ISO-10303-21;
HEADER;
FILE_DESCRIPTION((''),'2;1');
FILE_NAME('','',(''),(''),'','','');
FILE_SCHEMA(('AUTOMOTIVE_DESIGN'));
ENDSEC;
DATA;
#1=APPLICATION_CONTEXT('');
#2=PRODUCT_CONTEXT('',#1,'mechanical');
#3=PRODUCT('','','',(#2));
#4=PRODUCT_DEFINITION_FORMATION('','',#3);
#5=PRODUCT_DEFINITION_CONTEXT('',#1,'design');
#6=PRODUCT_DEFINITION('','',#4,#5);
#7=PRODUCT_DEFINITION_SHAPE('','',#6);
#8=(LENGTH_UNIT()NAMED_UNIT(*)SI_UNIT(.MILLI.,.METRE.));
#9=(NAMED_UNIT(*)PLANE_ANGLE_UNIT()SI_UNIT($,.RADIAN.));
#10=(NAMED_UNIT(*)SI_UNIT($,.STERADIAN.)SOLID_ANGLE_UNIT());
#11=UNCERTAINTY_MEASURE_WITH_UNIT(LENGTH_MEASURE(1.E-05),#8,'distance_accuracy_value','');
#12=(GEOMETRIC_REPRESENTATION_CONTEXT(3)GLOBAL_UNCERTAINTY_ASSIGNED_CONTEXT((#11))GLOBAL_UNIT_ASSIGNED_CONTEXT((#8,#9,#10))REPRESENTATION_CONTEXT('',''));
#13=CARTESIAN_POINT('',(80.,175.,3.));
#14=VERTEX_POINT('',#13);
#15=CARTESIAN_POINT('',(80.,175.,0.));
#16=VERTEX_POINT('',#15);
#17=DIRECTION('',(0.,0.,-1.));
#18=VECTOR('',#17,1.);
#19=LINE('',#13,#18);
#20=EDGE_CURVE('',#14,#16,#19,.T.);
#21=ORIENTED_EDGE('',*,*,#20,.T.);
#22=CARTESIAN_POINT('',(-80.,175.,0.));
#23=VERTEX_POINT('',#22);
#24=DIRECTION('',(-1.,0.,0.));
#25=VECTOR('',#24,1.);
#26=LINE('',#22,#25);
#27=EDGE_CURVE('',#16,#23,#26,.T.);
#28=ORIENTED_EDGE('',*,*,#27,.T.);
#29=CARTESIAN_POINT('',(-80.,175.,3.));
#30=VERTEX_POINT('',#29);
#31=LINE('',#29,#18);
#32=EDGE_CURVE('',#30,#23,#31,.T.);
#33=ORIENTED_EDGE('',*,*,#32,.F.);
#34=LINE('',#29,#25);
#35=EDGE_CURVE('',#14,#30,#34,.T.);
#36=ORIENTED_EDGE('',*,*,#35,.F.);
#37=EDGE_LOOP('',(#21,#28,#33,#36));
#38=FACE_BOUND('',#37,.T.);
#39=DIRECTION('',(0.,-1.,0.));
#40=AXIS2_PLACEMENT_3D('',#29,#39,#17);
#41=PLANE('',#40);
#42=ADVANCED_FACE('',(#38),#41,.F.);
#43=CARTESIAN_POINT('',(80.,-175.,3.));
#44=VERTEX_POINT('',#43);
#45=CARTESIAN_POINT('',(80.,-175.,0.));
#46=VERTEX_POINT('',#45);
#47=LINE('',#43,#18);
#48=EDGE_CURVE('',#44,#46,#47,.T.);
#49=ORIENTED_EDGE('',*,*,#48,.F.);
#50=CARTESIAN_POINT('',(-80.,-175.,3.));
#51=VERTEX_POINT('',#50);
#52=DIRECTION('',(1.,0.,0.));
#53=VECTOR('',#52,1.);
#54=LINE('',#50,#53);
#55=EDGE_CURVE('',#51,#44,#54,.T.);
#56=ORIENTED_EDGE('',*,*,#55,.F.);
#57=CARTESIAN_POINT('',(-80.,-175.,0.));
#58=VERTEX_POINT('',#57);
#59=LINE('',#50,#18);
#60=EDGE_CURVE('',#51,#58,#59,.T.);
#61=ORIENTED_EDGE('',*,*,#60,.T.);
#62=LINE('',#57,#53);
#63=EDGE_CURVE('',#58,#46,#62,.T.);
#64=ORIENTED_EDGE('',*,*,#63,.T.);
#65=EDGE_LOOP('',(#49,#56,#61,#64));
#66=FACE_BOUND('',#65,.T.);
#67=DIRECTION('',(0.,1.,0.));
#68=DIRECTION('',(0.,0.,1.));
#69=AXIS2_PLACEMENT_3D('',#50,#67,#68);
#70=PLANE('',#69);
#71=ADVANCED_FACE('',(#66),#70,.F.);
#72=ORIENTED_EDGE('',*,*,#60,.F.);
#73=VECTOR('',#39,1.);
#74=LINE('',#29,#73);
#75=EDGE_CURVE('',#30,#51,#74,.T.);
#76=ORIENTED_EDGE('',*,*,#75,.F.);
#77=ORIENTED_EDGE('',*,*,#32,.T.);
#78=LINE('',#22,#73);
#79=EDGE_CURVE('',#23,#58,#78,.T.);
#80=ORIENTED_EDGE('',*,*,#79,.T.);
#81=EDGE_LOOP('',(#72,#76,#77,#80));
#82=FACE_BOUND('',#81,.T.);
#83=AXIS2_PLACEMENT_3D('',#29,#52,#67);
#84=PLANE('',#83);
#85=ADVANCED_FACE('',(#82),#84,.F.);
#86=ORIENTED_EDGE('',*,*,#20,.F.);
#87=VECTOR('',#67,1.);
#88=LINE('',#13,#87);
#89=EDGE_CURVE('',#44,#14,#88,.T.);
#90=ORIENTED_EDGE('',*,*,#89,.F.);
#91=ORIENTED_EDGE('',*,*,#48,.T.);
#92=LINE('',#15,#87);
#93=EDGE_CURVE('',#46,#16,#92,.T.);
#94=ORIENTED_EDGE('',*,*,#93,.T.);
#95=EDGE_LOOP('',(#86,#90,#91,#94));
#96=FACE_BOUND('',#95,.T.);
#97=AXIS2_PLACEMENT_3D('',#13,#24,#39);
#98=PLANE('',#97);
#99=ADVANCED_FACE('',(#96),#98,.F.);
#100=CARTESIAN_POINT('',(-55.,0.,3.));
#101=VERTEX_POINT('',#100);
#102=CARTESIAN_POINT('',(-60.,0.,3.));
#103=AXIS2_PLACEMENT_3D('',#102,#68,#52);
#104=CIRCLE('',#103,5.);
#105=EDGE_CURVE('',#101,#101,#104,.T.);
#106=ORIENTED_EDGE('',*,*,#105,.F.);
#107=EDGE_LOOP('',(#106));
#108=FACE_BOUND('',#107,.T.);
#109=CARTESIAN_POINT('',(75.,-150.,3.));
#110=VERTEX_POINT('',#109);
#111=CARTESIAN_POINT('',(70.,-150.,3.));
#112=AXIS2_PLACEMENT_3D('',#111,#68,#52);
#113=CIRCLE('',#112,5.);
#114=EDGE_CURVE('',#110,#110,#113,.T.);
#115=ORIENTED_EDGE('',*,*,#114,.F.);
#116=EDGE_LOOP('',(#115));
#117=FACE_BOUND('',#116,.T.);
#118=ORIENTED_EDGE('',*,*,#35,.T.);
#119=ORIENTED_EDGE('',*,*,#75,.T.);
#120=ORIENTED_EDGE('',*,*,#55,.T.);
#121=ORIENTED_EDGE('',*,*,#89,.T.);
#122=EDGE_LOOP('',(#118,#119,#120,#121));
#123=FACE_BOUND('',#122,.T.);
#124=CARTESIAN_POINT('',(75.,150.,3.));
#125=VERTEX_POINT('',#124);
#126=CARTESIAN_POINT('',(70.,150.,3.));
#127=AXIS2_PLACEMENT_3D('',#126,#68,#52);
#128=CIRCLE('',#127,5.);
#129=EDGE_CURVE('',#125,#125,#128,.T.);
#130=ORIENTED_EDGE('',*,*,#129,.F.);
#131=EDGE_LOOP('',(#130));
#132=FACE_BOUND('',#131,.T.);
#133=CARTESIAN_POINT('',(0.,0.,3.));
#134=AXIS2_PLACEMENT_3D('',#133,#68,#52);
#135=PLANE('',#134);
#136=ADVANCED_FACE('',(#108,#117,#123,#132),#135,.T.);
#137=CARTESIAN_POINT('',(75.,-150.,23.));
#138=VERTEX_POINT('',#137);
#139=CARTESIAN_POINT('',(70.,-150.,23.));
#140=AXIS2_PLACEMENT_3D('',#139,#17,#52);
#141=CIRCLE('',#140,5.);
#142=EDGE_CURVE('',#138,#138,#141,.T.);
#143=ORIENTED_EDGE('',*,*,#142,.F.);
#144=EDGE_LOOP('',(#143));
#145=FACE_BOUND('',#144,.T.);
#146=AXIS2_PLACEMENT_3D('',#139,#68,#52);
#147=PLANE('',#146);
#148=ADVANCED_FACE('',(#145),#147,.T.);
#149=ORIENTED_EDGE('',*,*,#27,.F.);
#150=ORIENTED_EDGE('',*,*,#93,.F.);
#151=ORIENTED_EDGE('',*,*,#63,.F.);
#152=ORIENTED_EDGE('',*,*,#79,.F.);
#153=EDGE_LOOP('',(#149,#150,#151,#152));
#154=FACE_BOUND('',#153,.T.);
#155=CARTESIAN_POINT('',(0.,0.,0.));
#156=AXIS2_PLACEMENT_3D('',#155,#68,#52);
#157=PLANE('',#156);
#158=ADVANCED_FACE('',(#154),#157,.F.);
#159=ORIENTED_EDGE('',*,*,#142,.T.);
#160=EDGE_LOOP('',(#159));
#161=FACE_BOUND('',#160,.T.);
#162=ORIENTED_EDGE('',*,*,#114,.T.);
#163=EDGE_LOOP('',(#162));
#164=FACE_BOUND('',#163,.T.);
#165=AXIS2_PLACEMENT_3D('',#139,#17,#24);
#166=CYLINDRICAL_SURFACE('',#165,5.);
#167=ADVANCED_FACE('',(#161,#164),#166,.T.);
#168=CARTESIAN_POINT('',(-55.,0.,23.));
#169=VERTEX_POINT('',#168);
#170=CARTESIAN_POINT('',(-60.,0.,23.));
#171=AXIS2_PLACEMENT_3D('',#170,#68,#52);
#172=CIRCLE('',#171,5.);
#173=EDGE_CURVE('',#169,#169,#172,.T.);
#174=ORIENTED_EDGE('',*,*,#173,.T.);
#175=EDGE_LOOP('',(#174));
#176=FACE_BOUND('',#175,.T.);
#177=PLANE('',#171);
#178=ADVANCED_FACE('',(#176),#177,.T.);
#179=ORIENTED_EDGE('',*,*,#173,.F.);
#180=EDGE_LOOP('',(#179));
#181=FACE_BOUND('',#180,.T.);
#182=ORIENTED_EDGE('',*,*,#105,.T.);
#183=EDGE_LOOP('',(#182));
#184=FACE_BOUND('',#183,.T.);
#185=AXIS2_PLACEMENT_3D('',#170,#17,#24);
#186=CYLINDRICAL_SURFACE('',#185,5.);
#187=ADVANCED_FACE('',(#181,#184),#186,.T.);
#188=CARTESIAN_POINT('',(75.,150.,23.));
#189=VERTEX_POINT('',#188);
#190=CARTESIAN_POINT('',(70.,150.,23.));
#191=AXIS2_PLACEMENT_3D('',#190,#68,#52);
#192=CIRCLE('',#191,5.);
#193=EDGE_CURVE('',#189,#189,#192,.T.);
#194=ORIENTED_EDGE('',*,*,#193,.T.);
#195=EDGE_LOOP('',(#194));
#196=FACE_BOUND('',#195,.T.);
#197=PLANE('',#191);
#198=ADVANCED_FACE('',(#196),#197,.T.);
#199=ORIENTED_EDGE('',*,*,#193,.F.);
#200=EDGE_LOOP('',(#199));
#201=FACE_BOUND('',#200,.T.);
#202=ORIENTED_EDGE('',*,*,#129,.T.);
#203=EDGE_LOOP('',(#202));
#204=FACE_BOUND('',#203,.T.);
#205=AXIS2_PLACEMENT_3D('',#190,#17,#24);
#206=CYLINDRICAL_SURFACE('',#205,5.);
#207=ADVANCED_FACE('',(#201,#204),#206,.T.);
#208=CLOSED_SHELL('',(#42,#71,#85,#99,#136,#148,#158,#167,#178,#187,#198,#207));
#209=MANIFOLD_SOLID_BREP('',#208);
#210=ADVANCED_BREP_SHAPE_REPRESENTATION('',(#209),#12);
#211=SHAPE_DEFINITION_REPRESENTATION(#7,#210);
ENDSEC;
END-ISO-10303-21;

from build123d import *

# Parameters (mm, degrees)
SKETCH1_W           = 160
SKETCH1_H           = 350
BOSS_EXTRUDE1_DEPTH = 3
SKETCH2_R           = 5
BOSS_EXTRUDE2_DEPTH = 20
SKETCH3_R           = 5
BOSS_EXTRUDE3_DEPTH = 20


with BuildPart() as part:
    # Sketch1 → Boss-Extrude1 (new body)
    with BuildSketch(Plane.XY):
        Rectangle(SKETCH1_W, SKETCH1_H)
    extrude(amount=BOSS_EXTRUDE1_DEPTH)

    # Sketch2 → Boss-Extrude2 (add)
    with BuildSketch(Plane.XY.offset(3)):
        with Locations((70, 150)):
            Circle(SKETCH2_R)
    boss_extrude2 = extrude(amount=BOSS_EXTRUDE2_DEPTH)

    # Mirror1: Boss-Extrude2 across plane
    add(boss_extrude2.mirror(Plane.ZX))

    # Sketch3 → Boss-Extrude3 (add)
    with BuildSketch(Plane.XY.offset(3)):
        with Locations((-60, 0)):
            Circle(SKETCH3_R)
    extrude(amount=BOSS_EXTRUDE3_DEPTH)


solid = part.part
